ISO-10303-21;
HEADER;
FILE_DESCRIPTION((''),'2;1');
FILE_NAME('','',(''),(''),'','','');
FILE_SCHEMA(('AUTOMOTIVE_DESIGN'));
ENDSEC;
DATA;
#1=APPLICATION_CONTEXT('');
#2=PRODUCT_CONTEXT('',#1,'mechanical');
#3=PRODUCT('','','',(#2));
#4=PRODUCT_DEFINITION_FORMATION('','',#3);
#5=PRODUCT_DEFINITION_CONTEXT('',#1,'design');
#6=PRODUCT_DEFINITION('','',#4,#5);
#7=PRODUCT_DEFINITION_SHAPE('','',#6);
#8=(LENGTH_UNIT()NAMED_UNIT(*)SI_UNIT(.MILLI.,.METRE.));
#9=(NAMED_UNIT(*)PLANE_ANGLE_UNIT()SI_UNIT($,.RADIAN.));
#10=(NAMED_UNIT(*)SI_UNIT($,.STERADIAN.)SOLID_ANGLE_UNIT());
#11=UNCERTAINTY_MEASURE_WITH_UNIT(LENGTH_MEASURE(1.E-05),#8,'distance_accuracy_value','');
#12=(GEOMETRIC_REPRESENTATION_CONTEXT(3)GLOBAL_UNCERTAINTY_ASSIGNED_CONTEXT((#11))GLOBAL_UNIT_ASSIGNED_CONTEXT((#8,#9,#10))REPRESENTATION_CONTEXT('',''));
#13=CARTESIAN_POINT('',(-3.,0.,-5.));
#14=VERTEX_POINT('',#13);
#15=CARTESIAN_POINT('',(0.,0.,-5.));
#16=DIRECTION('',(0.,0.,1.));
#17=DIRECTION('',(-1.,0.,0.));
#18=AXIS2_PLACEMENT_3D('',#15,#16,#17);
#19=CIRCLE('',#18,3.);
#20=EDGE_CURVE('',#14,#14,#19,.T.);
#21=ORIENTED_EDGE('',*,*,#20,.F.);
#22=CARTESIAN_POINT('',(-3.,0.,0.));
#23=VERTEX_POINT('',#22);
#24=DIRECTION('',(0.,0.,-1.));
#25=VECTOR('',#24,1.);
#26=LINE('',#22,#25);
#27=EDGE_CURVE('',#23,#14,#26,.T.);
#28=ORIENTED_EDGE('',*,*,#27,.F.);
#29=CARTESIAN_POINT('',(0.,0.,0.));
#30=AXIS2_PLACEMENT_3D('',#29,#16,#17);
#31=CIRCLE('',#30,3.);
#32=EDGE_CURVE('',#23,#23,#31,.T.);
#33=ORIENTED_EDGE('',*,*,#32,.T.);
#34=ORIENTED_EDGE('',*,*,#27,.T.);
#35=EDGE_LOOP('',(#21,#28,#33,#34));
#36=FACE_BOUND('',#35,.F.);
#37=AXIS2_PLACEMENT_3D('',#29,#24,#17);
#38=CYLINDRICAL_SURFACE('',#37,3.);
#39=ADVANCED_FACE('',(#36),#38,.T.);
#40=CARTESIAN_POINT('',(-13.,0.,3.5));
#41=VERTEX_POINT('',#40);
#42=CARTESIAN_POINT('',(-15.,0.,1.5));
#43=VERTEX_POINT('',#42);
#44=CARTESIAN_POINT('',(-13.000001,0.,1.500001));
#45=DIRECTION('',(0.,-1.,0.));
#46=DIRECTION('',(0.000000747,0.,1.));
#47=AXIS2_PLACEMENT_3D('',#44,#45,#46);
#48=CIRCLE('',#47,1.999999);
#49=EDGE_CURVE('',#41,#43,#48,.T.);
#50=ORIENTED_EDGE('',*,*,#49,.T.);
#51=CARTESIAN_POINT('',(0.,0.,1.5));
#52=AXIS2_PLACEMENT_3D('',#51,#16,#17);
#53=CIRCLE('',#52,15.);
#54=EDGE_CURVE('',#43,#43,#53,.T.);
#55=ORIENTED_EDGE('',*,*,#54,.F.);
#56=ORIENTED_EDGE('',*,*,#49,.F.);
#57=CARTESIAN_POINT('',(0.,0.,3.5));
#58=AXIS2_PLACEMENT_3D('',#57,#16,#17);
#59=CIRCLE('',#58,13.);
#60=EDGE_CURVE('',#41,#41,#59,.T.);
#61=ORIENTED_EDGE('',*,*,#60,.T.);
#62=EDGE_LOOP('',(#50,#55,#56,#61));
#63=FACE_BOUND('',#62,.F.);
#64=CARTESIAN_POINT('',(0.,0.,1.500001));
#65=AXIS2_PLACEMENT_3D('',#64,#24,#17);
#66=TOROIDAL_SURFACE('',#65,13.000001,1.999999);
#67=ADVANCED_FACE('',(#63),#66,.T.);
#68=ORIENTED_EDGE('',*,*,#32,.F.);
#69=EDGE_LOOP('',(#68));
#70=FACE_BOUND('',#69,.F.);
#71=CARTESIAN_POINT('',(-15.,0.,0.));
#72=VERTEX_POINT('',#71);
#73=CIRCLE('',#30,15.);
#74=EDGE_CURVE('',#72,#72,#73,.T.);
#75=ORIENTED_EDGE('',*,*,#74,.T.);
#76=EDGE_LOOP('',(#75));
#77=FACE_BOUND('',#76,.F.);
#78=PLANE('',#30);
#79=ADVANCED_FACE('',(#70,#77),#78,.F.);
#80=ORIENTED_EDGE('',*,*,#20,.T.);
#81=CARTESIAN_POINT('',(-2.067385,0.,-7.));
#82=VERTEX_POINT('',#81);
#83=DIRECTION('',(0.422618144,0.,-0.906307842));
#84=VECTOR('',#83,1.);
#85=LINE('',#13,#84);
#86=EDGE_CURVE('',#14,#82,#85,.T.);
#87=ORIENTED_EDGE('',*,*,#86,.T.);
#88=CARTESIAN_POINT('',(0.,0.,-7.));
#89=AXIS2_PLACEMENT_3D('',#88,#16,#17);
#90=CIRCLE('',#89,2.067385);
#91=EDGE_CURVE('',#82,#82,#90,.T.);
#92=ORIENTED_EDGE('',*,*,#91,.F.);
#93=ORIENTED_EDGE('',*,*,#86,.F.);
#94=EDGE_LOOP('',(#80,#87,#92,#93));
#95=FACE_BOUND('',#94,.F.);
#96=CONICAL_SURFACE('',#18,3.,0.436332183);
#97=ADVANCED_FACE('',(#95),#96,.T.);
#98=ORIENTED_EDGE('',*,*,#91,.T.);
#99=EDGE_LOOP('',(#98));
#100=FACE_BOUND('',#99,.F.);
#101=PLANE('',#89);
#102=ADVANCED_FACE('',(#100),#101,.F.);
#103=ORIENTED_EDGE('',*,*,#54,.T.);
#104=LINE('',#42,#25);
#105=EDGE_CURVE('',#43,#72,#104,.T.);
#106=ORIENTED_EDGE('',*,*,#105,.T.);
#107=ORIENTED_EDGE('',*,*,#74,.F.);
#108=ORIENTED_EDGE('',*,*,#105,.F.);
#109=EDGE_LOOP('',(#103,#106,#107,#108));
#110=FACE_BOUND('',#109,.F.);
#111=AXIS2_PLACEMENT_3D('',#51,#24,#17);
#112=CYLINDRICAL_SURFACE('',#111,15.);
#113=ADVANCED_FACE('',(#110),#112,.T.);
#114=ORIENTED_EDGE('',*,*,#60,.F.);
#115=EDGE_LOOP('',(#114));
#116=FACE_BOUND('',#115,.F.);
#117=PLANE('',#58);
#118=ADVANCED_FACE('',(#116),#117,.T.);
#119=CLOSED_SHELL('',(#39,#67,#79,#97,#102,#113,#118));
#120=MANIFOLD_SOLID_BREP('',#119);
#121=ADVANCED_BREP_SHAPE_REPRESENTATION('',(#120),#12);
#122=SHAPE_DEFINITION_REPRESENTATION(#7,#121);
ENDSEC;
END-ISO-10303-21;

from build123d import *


with BuildPart() as f1:
    # F0 (on Front) → F1 (revolve)
    with BuildSketch(Plane.XZ):
        with BuildLine():
            Line((-15, 0), (-3, 0))
            Line((-3, 0), (-3, -5))
            Line((-3, -5), (-2.067385, -7))
            Line((-2.067385, -7), (0, -7))
            Line((0, -7), (0, 3.5))
            Line((0, 3.5), (-3, 3.5))
            Line((-3, 3.5), (-13, 3.5))
            ThreePointArc((-13, 3.5), (-14.414214, 2.914214), (-15, 1.5))
            Line((-15, 1.5), (-15, 0))
        make_face()
    revolve(axis=Axis((0, 0, 4.554348), (0, 0, 1)))


solid = f1.part
